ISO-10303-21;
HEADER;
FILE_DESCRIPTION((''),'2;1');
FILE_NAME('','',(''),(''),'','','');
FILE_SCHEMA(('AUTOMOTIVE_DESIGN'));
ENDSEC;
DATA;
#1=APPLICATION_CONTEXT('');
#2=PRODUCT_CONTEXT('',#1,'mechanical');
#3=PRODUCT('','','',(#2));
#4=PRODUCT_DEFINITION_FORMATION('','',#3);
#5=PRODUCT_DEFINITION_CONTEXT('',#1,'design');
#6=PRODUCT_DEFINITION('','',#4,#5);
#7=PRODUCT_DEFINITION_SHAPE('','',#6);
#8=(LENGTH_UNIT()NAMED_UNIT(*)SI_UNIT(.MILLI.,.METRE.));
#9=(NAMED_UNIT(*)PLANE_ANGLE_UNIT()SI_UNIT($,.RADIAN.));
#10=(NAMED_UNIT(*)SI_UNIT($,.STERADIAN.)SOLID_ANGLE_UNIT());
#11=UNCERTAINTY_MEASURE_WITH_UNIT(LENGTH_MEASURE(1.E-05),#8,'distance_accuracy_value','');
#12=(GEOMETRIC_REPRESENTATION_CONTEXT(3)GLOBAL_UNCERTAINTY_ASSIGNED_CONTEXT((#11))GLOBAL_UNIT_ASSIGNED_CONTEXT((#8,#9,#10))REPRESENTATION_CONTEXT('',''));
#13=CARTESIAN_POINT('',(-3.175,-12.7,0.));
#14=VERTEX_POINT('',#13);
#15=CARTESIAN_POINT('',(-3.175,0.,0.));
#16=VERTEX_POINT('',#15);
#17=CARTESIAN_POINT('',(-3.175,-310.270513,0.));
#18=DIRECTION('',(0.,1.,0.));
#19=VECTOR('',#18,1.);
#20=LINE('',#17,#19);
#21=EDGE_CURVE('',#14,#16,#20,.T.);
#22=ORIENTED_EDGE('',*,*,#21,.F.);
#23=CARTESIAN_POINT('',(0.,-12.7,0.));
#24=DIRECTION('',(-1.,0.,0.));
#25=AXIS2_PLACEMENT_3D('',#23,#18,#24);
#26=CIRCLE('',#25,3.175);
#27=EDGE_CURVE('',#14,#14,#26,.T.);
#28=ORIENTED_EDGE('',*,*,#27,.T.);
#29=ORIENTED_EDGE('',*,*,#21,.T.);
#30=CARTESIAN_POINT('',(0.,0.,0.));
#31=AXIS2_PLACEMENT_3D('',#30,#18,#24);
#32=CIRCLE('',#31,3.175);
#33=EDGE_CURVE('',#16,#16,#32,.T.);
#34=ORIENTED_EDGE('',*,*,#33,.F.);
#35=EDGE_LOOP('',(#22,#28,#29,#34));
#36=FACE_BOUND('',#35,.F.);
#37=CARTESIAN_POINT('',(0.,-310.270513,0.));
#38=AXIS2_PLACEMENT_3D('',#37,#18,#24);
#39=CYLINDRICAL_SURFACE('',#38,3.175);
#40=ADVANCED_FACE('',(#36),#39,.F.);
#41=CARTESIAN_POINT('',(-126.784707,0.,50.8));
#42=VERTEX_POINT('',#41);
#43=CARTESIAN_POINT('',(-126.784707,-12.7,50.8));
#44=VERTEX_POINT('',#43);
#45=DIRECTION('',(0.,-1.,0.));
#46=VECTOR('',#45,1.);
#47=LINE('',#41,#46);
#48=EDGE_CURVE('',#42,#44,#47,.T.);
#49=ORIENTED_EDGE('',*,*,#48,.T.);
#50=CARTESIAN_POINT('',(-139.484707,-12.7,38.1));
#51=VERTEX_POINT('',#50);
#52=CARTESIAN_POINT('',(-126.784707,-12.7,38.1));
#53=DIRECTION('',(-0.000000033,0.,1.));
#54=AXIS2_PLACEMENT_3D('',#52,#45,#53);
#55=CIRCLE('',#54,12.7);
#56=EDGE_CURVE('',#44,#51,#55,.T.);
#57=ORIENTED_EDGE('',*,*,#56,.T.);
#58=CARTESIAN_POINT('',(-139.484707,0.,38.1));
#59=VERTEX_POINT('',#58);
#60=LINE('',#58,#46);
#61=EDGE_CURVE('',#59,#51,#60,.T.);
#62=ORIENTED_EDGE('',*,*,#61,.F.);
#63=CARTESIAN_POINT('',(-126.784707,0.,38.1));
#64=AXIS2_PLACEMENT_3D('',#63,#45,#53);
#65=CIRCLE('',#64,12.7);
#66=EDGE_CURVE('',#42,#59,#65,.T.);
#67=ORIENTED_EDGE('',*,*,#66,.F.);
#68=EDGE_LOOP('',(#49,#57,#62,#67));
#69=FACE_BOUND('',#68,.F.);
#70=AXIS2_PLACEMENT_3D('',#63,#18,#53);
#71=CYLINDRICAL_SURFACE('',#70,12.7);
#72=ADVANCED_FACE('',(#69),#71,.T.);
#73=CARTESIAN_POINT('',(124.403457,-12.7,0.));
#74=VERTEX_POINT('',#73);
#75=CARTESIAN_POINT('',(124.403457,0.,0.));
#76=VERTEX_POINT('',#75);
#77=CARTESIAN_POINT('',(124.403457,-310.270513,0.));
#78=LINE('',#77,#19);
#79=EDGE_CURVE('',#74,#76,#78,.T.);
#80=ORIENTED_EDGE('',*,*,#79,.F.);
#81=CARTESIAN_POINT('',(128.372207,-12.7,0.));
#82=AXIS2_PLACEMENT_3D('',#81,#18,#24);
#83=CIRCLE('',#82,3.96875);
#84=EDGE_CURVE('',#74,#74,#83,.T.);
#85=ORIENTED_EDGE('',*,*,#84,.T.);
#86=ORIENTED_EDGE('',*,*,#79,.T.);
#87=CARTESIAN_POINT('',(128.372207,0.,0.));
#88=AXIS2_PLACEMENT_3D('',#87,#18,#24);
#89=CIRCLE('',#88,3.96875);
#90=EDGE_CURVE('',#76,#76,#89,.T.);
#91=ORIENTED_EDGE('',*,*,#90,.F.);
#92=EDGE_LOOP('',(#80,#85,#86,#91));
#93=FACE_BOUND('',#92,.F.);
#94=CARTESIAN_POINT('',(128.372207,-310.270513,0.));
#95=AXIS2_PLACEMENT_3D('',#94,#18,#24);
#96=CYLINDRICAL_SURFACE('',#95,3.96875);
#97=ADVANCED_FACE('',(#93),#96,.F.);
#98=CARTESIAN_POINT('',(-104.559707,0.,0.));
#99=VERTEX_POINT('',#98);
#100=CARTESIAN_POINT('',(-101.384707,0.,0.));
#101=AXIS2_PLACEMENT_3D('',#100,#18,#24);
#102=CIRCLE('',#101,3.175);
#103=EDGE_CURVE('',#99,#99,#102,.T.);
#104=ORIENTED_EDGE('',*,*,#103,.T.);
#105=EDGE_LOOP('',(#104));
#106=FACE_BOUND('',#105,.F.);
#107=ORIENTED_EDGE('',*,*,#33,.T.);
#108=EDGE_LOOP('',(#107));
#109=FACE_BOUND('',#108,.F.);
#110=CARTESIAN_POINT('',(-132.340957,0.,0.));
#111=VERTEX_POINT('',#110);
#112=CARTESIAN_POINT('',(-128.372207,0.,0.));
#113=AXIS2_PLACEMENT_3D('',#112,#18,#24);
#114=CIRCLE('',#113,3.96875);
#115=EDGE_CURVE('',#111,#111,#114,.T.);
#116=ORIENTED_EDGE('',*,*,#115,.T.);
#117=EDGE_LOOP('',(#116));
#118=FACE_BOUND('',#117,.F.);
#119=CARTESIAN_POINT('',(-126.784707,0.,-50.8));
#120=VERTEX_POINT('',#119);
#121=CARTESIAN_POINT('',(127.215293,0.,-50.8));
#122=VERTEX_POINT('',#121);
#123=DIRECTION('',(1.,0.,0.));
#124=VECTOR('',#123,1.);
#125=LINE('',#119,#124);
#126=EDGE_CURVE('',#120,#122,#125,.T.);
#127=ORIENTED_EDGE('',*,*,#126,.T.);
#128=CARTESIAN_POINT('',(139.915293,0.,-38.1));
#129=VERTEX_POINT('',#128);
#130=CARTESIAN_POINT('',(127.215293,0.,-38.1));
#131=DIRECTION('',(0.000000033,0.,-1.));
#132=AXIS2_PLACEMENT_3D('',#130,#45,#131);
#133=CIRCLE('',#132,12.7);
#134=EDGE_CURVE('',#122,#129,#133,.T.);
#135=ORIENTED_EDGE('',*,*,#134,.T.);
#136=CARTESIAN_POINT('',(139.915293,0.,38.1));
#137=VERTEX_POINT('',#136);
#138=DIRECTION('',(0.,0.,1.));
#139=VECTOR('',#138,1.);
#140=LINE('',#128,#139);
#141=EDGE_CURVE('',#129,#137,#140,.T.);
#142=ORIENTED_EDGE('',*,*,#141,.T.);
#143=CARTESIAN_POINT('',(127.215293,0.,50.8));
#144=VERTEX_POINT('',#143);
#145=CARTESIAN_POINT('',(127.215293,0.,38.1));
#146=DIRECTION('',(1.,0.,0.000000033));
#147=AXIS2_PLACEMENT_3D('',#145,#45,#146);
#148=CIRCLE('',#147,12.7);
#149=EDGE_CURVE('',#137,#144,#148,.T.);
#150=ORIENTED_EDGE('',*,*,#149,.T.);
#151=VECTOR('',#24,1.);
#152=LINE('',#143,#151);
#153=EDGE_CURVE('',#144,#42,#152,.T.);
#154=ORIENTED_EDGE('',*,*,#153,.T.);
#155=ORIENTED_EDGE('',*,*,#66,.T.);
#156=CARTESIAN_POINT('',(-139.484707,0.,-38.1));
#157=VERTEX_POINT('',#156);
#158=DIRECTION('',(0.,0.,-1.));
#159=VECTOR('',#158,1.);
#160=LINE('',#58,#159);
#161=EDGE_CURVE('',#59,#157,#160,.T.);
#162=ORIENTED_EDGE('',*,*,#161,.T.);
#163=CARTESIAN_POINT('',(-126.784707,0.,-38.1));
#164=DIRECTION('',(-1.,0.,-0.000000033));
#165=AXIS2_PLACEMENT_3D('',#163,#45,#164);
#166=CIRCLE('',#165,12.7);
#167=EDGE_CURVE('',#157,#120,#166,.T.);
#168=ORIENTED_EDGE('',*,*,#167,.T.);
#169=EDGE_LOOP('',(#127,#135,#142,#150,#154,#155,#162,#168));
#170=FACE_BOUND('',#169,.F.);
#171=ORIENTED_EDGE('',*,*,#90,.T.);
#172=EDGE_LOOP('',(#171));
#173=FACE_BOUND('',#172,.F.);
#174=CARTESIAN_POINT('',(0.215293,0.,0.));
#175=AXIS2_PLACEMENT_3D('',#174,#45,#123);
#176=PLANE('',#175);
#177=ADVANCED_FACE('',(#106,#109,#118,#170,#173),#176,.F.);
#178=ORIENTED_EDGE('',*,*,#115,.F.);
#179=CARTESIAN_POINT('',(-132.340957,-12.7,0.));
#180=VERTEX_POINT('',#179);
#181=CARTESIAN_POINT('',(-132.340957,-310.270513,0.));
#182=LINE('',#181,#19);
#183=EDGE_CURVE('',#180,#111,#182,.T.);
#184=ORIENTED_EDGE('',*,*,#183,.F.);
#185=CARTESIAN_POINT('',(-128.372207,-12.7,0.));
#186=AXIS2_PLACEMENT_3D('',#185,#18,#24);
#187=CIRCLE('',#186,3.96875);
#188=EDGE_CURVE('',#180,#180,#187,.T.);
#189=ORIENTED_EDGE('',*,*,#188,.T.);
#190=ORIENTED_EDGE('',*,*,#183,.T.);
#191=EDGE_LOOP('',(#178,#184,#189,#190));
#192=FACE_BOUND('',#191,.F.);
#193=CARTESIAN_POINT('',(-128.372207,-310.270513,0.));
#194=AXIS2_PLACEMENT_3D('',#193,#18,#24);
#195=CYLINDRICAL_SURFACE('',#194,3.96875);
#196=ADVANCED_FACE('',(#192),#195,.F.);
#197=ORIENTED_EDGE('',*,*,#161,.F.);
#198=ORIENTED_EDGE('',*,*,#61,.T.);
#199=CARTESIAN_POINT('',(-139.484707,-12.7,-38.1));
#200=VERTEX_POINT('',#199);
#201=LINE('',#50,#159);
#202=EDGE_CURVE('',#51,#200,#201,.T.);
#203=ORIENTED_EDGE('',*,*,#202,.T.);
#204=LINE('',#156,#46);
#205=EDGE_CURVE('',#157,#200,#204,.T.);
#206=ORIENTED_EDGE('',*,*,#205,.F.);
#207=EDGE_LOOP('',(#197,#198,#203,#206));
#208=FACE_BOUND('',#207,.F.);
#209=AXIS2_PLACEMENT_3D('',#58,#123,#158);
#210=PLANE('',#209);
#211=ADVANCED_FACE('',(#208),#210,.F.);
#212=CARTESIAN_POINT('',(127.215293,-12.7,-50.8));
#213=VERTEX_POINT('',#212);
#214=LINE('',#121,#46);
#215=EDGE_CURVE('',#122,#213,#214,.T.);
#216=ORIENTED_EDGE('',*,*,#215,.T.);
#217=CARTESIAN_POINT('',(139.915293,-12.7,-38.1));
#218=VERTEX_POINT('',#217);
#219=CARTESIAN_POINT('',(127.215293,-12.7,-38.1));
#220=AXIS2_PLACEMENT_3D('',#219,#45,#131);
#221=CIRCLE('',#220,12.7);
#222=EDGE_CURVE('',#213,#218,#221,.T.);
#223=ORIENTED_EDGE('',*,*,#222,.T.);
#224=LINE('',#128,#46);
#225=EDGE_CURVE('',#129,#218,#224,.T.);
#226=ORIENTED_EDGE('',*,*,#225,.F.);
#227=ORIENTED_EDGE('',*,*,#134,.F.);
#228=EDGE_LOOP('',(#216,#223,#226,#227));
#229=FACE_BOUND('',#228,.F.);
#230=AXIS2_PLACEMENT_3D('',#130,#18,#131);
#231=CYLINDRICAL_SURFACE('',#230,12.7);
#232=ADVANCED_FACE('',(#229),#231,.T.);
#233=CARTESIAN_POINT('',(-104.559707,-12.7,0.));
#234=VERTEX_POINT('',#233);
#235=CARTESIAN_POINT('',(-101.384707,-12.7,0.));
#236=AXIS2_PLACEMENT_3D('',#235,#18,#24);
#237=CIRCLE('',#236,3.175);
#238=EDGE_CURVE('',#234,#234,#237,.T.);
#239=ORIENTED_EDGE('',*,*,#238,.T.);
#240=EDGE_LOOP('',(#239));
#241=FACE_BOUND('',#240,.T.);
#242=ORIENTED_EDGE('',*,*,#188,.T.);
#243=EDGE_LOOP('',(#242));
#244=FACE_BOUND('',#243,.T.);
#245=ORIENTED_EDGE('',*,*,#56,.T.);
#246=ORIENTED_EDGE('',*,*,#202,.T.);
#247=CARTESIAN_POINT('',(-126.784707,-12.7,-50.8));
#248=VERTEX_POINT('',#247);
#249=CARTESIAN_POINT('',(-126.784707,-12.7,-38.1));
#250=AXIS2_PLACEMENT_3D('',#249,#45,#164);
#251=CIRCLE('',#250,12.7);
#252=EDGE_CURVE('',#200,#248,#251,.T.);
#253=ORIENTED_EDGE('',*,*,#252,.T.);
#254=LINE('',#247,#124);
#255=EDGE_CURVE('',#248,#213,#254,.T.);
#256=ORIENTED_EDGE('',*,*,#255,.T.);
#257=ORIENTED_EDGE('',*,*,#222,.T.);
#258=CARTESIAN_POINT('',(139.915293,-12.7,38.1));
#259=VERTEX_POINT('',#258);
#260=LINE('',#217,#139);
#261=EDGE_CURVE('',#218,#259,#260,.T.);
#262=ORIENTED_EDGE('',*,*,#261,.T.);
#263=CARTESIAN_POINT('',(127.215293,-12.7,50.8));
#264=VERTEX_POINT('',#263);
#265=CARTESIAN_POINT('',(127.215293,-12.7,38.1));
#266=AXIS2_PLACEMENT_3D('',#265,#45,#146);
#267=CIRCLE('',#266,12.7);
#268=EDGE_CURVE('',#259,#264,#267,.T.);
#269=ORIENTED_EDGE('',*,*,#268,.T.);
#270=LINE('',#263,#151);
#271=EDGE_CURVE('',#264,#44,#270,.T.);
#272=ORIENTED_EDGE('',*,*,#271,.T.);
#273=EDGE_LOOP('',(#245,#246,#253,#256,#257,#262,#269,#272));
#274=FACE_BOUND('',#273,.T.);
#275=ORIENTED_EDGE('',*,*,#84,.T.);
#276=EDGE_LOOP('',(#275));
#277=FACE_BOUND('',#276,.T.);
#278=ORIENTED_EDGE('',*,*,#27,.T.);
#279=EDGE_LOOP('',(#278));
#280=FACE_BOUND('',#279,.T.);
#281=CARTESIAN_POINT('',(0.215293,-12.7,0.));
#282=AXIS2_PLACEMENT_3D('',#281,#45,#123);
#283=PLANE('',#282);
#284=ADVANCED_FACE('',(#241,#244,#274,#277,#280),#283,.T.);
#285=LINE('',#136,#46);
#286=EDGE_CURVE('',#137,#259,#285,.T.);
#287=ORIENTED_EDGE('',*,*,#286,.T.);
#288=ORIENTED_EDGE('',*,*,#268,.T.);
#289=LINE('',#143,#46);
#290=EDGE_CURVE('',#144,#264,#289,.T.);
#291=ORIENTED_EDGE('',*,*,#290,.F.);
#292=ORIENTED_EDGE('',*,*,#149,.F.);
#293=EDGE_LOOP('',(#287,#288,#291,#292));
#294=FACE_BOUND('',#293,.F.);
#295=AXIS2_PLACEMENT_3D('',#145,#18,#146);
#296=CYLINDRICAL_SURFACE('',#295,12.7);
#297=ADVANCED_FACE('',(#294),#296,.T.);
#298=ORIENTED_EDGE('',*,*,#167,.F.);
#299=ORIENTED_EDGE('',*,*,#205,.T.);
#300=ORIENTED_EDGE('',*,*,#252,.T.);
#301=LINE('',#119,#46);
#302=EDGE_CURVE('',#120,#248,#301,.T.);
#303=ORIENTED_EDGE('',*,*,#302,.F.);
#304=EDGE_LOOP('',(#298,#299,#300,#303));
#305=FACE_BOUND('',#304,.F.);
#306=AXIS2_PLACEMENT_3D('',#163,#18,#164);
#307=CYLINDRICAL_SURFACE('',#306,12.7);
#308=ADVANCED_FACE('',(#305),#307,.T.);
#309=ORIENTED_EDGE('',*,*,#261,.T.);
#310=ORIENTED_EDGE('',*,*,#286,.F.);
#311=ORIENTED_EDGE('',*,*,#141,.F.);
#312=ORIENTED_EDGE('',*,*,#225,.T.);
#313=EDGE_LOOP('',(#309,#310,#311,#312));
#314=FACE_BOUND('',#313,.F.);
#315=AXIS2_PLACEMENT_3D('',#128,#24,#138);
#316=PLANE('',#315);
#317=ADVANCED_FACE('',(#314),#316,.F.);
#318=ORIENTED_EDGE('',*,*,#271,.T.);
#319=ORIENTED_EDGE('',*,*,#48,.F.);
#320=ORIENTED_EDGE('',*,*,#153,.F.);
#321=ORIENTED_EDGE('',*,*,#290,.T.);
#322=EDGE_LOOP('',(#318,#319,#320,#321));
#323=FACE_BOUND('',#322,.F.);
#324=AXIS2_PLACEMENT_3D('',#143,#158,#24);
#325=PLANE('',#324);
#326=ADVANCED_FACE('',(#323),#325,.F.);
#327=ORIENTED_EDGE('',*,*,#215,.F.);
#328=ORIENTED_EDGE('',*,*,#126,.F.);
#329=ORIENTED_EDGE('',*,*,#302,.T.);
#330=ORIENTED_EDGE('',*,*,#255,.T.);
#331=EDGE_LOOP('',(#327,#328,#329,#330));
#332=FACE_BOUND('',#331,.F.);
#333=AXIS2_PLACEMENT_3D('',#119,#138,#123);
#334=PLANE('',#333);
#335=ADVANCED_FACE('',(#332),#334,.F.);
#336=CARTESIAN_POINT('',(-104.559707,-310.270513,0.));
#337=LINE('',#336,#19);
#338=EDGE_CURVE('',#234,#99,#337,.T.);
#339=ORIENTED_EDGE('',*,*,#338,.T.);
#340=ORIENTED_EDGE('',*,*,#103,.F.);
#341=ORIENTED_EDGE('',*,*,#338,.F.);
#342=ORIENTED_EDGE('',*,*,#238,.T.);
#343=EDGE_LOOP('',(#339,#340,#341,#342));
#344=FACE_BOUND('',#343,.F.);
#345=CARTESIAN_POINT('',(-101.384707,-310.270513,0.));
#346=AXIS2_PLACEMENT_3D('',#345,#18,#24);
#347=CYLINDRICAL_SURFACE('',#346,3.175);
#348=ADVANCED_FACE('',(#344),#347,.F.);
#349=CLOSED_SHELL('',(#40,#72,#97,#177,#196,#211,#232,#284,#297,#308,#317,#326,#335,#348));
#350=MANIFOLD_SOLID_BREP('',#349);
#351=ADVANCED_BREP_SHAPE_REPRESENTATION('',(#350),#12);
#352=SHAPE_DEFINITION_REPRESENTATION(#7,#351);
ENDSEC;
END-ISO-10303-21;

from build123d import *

# Parameters (mm, degrees)
F1_DEPTH = 12.7
F3_D     = 7.9375
F5_D     = 6.35
F7_D     = 6.35


with BuildPart() as f1:
    # F0 (on Front) → F1 (new body)
    with BuildSketch(Plane.XZ):
        with BuildLine():
            Line((127.215293, 50.8), (-126.784707, 50.8))
            ThreePointArc((-126.784707, 50.8), (-135.764963, 47.080256), (-139.484707, 38.1))
            Line((-139.484707, 38.1), (-139.484707, -38.1))
            ThreePointArc((-139.484707, -38.1), (-135.764963, -47.080256), (-126.784707, -50.8))
            Line((-126.784707, -50.8), (127.215293, -50.8))
            ThreePointArc((127.215293, -50.8), (136.195549, -47.080256), (139.915293, -38.1))
            Line((139.915293, -38.1), (139.915293, 38.1))
            ThreePointArc((139.915293, 38.1), (136.195549, 47.080256), (127.215293, 50.8))
        make_face()
    extrude(amount=F1_DEPTH)

    # F3 (through all)
    with Locations(Plane.XZ.offset(12.7)):
        with Locations((-128.372207, 0), (128.372207, 0)):
            Hole(F3_D / 2)

    # F5 (through all)
    with Locations(Plane.XZ.offset(12.7)):
        with Locations((-101.384707, 0)):
            Hole(F5_D / 2)

    # F7 (through all)
    with Locations(Plane.XZ.offset(12.7)):
        with Locations((0, 0)):
            Hole(F7_D / 2)


solid = f1.part
